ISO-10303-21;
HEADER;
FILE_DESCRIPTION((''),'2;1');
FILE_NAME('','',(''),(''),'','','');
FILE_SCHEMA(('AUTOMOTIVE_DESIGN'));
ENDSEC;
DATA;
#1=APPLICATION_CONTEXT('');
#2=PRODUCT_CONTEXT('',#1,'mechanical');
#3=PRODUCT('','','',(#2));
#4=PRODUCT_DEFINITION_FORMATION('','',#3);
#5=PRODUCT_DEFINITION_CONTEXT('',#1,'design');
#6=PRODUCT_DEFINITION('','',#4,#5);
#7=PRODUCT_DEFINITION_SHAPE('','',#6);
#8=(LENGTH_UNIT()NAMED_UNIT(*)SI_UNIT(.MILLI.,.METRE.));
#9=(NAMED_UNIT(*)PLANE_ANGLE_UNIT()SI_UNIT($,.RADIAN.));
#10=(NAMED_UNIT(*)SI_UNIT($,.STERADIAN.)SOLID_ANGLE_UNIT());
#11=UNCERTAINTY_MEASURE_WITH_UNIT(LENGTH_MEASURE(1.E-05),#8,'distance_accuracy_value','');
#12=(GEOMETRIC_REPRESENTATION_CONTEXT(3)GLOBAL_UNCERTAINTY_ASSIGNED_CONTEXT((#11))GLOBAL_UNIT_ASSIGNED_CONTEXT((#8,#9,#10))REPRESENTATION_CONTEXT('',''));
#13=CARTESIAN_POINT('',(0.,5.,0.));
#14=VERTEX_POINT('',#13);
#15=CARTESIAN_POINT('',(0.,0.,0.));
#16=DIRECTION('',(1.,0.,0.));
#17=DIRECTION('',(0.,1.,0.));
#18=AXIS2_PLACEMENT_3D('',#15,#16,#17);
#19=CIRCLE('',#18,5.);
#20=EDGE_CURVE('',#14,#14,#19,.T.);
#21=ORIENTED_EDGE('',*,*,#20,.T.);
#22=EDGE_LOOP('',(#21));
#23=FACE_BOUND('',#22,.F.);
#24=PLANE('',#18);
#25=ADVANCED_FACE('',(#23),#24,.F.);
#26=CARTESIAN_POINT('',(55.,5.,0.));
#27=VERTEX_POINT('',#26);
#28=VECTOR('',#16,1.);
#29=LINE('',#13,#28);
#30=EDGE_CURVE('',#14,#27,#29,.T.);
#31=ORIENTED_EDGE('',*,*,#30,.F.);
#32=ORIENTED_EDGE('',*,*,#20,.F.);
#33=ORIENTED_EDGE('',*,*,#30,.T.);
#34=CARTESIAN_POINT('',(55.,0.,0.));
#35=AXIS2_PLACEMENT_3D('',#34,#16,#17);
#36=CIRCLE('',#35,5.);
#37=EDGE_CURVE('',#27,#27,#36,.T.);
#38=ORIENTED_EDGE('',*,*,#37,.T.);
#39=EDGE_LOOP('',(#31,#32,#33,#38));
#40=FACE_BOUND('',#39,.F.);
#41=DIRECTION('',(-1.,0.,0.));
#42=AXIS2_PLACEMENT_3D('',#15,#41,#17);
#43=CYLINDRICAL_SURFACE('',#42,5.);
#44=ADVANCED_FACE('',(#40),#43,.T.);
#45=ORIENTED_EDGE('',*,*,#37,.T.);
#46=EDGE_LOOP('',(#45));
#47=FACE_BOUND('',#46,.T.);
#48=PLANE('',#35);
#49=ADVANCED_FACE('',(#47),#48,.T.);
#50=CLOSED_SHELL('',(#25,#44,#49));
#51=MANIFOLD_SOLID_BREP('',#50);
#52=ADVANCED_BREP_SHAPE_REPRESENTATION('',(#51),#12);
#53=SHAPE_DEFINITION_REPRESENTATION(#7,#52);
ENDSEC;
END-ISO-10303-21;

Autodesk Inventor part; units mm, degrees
ref_plane "YZ Plane" through (0, 0, 0) normal (1, 0, 0) x (0, 1, 0)
ref_plane "XZ Plane" through (0, 0, 0) normal (0, 1, 0) x (-1, 0, 0)
ref_plane "XY Plane" through (0, 0, 0) normal (0, 0, 1) x (1, 0, 0)
sketch "Boceto1" plane through (0, 0, 0) normal (1, 0, 0) x (0, 1, 0)
  circle A0 centre (0, 0) radius 5
  dimension "d0" = 10
extrude "Extrusión1" add sketch "Boceto1" along normal blind 55
properties part number "camera_support_union"
